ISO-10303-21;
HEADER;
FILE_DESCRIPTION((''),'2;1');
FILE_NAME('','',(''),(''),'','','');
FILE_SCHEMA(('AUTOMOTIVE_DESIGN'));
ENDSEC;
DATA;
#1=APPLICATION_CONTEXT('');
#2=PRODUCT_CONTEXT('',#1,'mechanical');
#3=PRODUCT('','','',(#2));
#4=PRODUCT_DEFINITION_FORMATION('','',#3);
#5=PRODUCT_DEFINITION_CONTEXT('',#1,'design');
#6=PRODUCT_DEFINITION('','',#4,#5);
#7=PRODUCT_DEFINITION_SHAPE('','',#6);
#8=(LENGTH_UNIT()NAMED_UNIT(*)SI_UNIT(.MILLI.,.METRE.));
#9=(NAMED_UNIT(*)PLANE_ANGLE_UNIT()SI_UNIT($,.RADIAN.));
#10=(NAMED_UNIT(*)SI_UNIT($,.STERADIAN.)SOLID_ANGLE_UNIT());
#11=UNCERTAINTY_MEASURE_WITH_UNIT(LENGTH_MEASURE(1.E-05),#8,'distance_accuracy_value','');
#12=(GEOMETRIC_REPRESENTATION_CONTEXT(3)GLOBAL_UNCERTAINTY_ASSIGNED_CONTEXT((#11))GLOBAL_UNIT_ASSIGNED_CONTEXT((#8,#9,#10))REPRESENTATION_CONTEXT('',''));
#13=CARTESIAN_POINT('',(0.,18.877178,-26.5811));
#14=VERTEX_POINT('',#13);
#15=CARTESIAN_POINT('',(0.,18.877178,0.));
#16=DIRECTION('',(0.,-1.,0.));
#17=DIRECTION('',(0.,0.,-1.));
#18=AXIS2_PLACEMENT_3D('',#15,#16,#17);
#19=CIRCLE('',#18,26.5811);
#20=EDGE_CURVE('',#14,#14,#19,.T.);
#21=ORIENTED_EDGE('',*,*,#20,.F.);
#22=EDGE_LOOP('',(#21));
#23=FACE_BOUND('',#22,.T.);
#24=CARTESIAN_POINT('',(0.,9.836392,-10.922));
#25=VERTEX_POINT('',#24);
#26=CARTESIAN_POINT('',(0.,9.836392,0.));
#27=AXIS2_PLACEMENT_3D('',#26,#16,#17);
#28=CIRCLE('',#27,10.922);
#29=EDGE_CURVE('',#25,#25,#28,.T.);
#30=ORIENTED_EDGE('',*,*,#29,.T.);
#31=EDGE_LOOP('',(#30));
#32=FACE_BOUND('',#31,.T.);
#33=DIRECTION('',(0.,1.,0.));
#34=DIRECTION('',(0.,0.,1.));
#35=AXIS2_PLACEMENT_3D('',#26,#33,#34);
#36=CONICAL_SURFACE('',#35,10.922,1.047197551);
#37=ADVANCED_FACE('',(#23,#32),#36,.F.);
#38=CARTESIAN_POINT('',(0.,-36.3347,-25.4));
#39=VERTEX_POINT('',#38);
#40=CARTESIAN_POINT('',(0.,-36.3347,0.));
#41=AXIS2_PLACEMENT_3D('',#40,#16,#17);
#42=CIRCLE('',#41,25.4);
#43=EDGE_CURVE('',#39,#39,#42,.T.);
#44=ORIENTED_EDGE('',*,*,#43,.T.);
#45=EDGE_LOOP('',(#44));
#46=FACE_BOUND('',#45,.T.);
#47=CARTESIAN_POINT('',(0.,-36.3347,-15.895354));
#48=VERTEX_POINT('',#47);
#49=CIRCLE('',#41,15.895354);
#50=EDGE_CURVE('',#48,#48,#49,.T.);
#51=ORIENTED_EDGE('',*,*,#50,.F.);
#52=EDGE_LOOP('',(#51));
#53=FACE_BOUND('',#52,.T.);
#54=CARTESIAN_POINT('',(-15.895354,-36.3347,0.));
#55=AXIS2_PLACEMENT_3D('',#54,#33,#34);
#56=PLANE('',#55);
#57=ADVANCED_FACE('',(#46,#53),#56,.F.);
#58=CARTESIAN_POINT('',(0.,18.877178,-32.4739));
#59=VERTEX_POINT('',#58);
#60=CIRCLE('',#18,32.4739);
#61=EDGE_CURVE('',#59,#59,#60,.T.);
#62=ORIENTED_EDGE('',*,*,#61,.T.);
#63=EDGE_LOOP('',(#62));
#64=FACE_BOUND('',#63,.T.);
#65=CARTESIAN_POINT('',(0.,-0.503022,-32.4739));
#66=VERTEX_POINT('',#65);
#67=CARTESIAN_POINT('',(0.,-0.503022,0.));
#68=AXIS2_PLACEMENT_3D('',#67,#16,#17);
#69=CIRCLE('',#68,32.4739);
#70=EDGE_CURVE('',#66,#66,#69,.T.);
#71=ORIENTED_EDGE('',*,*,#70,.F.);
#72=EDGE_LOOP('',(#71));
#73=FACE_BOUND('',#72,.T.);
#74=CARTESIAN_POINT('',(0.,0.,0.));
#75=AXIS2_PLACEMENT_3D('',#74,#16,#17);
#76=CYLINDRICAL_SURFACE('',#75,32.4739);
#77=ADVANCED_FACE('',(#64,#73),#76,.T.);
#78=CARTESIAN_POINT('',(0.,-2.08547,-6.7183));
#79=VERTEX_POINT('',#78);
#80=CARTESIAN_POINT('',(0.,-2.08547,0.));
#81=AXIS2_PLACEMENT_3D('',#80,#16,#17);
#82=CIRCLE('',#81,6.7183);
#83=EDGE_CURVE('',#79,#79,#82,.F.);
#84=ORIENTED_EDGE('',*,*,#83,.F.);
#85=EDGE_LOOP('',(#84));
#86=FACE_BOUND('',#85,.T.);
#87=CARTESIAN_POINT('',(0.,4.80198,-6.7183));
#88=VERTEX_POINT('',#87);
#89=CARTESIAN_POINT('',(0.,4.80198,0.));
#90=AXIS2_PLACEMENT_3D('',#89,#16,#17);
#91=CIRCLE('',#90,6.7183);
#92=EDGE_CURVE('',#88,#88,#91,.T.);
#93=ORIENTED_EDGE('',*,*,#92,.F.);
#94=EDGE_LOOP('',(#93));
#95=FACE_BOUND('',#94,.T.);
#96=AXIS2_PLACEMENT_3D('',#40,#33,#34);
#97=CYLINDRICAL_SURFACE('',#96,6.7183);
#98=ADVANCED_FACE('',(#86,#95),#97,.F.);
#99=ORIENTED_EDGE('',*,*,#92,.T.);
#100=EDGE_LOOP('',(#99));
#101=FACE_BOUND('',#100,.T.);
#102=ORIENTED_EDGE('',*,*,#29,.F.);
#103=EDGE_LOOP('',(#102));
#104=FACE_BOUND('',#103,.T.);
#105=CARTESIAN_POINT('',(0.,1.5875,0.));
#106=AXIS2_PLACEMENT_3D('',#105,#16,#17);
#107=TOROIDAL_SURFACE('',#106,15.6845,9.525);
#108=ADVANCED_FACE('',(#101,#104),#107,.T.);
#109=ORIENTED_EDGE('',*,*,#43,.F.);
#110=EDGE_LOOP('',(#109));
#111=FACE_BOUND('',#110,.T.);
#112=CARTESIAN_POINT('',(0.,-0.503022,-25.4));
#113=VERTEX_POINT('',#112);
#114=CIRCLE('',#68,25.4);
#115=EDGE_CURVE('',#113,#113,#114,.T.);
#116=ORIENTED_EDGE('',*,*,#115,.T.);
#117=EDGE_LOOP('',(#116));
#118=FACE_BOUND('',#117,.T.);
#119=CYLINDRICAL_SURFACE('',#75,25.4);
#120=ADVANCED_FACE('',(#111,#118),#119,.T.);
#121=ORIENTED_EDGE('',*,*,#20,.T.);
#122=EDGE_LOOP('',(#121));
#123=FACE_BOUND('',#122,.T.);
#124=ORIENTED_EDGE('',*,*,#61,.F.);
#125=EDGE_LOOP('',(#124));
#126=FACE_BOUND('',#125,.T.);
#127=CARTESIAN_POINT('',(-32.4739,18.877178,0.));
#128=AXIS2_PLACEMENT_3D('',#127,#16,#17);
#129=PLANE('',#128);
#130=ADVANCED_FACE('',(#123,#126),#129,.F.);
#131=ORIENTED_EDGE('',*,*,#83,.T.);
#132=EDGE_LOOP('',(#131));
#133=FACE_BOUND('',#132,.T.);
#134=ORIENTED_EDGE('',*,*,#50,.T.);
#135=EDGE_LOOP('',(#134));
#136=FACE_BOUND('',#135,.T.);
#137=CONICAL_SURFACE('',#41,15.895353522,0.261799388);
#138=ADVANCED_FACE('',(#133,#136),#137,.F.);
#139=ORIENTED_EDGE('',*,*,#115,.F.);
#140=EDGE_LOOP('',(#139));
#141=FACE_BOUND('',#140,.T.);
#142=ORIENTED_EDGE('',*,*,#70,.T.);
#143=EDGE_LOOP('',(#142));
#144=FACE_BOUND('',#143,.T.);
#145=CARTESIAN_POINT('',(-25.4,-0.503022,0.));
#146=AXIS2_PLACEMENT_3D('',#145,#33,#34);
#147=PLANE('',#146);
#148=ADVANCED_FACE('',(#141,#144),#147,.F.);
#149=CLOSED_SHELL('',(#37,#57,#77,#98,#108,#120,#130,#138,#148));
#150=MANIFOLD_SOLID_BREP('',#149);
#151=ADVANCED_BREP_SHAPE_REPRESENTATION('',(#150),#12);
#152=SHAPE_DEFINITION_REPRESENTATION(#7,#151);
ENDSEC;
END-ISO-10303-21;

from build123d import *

# Parameters (mm, degrees)
SKETCH2_R          = 6.7183
CUT_EXTRUDE1_DEPTH = 56.211877571


with BuildPart() as part:
    # Sketch1 → Revolve1 (revolve)
    with BuildSketch(Plane.XY):
        with BuildLine():
            Line((-6.1595, 0), (-6.1595, 1.5875))
            ThreePointArc((-6.1595, 1.5875), (-7.435608029, 6.35), (-10.922, 9.836391971))
            Line((-10.922, 9.836391971), (-26.5811, 18.877177571))
            Line((-26.5811, 18.877177571), (-32.4739, 18.877177571))
            Line((-32.4739, 18.877177571), (-32.4739, -0.503022429))
            Line((-32.4739, -0.503022429), (-25.4, -0.503022429))
            Line((-25.4, -0.503022429), (-25.4, -36.3347))
            Line((-25.4, -36.3347), (-15.895353522, -36.3347))
            Line((-15.895353522, -36.3347), (-6.1595, 0))
        make_face()
    revolve(axis=Axis((0, 0, 0), (0, 1, 0)))

    # Sketch2 → Cut-Extrude1 (cut, through all)
    with BuildSketch(Plane(origin=(0, 18.877177571, 0), x_dir=(1, 0, 0), z_dir=(0, 1, 0))):
        Circle(SKETCH2_R)
    extrude(amount=-CUT_EXTRUDE1_DEPTH, mode=Mode.SUBTRACT)


solid = part.part
